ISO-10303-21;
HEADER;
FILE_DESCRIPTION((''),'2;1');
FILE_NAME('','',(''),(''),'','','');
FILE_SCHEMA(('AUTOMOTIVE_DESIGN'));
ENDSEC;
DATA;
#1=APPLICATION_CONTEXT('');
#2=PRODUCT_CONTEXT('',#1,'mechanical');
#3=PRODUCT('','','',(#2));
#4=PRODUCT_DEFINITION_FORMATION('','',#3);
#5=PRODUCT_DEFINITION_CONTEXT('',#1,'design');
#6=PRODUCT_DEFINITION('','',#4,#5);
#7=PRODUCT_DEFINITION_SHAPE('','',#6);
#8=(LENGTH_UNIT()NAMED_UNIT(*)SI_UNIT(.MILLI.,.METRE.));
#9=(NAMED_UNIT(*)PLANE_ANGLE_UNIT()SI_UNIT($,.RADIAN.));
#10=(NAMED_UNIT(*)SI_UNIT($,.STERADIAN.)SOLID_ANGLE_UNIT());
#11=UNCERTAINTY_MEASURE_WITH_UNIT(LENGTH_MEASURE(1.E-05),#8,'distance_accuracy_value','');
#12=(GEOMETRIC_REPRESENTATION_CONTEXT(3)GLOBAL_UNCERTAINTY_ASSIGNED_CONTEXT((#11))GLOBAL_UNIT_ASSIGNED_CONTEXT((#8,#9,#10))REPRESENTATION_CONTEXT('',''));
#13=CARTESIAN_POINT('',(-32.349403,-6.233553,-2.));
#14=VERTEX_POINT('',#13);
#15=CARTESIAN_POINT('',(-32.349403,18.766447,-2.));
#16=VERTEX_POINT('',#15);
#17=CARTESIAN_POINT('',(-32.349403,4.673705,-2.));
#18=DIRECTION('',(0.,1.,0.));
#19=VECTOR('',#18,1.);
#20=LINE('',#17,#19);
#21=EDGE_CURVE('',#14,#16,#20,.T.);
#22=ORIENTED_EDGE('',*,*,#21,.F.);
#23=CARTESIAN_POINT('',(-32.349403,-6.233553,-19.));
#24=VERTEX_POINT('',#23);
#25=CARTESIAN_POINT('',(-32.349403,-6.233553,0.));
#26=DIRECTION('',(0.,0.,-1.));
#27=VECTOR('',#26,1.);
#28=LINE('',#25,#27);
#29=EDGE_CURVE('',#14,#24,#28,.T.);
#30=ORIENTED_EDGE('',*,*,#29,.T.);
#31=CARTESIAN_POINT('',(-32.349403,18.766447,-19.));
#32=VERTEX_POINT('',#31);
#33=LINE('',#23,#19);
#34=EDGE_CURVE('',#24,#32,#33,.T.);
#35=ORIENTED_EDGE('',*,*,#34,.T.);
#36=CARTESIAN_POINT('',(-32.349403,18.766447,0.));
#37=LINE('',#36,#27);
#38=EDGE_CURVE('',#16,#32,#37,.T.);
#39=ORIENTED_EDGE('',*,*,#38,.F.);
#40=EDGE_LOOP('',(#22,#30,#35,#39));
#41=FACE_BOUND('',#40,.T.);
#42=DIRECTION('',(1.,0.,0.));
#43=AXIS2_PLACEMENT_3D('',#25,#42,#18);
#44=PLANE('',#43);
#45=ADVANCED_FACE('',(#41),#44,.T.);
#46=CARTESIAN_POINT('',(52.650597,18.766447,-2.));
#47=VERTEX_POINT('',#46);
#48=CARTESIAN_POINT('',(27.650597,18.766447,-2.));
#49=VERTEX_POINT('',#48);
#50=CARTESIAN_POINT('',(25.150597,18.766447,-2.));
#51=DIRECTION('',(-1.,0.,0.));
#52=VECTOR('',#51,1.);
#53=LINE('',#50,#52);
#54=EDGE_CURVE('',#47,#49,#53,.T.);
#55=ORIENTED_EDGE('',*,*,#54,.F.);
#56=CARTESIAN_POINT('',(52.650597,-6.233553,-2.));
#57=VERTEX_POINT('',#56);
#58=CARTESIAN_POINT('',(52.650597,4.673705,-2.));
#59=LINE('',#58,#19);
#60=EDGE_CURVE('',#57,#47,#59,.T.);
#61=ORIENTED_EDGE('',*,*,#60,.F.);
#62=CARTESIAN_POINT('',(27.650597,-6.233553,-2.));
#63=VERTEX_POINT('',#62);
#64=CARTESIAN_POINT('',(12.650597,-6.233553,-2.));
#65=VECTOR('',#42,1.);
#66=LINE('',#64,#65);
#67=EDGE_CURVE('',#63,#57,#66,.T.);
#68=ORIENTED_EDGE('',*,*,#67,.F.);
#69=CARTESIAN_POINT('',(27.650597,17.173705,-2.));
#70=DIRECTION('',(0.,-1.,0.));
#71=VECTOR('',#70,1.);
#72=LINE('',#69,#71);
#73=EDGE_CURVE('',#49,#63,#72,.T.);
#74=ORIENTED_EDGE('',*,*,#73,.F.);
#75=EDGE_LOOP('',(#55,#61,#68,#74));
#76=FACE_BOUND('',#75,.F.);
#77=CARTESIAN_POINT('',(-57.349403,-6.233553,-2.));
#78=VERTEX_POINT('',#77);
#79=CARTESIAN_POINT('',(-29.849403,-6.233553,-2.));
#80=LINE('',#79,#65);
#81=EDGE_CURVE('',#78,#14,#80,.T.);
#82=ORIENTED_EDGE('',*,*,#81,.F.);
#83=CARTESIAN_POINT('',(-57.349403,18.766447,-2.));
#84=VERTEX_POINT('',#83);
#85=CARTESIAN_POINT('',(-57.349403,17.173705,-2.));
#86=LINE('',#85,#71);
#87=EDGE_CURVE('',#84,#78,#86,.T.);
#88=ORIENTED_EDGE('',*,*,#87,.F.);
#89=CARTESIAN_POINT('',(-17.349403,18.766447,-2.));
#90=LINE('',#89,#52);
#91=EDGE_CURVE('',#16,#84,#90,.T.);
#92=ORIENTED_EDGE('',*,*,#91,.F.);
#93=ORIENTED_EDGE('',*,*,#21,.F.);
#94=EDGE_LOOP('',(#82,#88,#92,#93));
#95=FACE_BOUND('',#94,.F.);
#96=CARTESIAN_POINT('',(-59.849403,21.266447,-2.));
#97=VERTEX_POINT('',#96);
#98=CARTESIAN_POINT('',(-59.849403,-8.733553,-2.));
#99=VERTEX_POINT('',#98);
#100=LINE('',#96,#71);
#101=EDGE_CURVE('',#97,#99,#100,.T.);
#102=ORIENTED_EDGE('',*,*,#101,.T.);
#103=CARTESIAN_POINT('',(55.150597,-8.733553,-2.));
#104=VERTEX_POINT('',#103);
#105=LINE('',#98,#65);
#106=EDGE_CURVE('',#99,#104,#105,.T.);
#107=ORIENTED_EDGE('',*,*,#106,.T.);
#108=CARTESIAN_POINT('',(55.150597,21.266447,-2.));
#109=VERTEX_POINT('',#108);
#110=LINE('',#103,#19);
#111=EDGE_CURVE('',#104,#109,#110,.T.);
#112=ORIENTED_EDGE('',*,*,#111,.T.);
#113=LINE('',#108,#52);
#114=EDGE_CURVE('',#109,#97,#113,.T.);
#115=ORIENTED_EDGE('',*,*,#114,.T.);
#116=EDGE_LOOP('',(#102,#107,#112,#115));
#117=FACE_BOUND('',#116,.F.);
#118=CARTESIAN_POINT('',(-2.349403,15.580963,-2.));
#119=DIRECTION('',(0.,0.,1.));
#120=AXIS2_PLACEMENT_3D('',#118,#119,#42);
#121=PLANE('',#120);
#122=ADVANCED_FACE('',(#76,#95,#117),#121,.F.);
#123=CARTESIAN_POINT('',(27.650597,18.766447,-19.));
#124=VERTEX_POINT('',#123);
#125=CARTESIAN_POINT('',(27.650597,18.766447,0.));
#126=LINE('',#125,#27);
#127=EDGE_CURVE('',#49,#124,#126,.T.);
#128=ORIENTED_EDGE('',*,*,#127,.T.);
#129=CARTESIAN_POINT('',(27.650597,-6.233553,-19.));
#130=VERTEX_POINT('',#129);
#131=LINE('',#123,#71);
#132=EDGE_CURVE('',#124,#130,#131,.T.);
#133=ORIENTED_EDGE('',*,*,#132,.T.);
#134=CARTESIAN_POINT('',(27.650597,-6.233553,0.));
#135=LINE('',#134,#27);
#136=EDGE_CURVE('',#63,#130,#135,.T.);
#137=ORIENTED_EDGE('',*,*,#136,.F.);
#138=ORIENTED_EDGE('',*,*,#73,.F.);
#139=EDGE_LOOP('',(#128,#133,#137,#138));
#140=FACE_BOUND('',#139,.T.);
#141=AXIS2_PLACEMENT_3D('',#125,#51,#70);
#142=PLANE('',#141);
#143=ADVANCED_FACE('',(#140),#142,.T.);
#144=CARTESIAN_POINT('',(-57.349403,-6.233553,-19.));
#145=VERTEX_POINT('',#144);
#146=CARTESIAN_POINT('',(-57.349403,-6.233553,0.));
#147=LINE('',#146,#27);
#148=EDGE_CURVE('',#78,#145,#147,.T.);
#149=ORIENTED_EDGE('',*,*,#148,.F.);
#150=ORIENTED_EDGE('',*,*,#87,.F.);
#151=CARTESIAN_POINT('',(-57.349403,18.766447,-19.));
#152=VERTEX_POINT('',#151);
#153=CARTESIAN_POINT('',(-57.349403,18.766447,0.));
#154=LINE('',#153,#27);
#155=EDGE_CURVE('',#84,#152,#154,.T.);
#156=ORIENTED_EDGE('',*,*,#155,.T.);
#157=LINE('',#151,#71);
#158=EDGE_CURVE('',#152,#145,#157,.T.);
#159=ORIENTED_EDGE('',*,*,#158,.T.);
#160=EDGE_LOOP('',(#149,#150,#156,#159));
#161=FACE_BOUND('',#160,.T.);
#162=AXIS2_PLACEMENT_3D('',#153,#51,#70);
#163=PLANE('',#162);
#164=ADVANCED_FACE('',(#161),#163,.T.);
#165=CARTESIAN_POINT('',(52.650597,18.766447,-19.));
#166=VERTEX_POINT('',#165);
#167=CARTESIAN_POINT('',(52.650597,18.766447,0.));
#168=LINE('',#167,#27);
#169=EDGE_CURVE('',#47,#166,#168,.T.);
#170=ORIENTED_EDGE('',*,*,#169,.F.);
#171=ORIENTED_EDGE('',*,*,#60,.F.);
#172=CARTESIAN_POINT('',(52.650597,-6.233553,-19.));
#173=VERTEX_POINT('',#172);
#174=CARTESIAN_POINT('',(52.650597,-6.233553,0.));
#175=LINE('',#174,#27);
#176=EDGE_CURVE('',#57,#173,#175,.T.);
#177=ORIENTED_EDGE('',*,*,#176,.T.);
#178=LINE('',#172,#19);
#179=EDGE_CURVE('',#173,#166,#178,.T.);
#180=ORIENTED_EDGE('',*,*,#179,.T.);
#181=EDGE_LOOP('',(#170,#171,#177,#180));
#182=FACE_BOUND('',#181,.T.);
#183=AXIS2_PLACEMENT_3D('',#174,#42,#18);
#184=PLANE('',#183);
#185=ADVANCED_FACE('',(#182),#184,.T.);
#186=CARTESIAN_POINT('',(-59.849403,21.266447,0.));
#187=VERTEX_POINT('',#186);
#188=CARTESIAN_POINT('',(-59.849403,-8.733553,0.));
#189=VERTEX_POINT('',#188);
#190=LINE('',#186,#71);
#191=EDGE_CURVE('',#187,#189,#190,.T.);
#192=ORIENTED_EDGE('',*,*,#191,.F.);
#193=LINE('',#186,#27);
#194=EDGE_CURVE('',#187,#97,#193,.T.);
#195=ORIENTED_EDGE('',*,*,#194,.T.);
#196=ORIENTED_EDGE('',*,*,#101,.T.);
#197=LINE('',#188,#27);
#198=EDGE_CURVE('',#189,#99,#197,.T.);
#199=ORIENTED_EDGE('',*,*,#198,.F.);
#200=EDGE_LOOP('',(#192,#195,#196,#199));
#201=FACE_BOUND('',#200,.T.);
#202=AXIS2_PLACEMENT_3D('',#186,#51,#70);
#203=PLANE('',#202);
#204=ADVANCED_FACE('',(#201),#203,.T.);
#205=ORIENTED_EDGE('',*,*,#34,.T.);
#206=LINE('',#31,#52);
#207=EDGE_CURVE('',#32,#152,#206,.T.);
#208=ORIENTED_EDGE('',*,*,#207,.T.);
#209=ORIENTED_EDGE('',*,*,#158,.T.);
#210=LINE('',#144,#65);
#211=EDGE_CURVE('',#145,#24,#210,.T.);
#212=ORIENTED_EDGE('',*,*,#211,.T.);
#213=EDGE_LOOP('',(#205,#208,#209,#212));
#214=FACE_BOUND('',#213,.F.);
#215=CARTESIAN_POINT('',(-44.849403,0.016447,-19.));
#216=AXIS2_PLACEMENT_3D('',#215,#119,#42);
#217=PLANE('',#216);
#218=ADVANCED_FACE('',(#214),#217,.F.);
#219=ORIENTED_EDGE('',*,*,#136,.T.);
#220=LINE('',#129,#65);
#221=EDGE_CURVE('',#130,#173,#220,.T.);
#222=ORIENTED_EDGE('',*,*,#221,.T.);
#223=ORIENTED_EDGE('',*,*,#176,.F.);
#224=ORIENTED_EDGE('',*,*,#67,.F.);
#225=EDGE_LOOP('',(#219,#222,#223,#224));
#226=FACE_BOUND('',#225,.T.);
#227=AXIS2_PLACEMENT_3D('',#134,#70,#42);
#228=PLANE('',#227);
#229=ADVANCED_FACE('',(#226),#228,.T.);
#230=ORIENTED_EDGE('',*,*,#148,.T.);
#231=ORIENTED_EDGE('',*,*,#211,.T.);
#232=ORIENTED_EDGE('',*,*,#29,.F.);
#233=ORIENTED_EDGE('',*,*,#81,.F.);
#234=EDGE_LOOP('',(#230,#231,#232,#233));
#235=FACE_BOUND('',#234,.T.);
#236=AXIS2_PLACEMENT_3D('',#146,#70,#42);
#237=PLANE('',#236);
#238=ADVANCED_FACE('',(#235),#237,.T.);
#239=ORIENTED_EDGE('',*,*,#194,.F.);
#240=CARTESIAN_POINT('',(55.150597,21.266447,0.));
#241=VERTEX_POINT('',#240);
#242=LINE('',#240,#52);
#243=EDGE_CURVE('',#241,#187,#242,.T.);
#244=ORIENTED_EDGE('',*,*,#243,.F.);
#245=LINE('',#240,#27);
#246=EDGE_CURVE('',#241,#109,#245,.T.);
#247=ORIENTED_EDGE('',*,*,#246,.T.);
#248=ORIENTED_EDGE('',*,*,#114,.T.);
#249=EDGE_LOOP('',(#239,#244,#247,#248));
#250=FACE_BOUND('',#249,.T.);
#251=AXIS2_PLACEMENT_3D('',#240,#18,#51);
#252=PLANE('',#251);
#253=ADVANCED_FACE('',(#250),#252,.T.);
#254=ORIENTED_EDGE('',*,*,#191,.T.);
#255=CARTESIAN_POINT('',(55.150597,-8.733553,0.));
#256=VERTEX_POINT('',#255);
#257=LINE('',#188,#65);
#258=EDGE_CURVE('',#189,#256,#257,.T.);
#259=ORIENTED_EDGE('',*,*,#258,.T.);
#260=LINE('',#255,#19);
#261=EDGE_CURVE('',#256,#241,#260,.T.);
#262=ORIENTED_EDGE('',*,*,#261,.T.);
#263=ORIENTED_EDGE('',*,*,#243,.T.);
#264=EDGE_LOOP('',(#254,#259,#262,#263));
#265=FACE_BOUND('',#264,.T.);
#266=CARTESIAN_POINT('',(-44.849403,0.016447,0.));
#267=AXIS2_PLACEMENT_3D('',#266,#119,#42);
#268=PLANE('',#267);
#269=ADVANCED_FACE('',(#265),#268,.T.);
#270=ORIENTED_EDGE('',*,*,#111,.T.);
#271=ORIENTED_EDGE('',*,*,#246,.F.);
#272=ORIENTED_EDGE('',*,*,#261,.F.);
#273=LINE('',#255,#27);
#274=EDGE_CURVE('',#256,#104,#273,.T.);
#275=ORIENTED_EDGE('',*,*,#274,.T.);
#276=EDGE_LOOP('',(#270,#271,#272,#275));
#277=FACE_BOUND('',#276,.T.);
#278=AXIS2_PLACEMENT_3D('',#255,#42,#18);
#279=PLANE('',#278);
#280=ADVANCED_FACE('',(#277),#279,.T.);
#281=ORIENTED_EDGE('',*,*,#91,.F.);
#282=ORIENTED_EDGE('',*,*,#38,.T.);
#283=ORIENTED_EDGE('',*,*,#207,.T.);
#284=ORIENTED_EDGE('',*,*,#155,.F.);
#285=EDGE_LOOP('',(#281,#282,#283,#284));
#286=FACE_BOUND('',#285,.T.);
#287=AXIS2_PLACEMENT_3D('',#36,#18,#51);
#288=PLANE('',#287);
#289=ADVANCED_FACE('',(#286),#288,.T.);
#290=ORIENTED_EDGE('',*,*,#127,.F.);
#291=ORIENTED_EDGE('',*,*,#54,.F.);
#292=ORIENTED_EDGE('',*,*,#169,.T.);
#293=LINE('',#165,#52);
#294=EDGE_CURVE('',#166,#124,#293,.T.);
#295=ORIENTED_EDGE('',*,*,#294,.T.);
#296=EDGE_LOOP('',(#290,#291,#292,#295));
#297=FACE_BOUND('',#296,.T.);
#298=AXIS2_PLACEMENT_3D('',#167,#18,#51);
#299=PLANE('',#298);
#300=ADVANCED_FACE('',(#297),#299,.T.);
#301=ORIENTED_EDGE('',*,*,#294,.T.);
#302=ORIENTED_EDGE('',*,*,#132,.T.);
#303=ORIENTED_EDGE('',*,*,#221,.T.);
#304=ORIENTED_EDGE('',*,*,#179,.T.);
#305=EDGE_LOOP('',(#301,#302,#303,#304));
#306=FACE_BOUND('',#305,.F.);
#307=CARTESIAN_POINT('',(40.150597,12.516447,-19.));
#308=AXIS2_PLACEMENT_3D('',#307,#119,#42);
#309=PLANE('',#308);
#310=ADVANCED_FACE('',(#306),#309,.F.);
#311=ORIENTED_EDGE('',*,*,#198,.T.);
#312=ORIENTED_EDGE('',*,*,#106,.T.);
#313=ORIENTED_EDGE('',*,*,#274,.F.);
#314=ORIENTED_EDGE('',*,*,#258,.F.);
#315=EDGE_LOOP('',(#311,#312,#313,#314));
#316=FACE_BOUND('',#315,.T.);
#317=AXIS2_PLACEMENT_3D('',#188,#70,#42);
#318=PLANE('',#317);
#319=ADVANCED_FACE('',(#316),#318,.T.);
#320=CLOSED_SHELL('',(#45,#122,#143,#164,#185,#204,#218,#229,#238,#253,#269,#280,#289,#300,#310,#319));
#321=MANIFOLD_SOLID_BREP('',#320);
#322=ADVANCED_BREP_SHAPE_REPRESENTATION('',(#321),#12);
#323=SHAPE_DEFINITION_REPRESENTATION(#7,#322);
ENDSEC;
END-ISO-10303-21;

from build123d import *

# Parameters (mm, degrees)
F1_DEPTH = 2
F2_DEPTH = 19


with BuildPart() as f1:
    # F0 (on Top) → F1 (new body)
    with BuildSketch(Plane.XY):
        Polygon((55.150597, 21.266447), (-59.849403, 21.266447), (-59.849403, 6.266447), (-57.349403, 6.266447), (-57.349403, 18.766447), (-32.349403, 18.766447), (-32.349403, 6.266447), (27.650597, 6.266447), (27.650597, 18.766447), (52.650597, 18.766447), (52.650597, 6.266447), (55.150597, 6.266447), align=None)
        Polygon((-57.349403, 6.266447), (-59.849403, 6.266447), (-59.849403, -8.733553), (55.150597, -8.733553), (55.150597, 6.266447), (52.650597, 6.266447), (52.650597, -6.233553), (27.650597, -6.233553), (27.650597, 6.266447), (-32.349403, 6.266447), (-32.349403, -6.233553), (-57.349403, -6.233553), align=None)
        Polygon((-57.349403, 18.766447), (-57.349403, 6.266447), (-44.849403, 6.266447), (-32.349403, 6.266447), (-32.349403, 18.766447), align=None)
        Polygon((-44.849403, 6.266447), (-57.349403, 6.266447), (-57.349403, -6.233553), (-32.349403, -6.233553), (-32.349403, 6.266447), align=None)
        Polygon((40.150597, 6.266447), (52.650597, 6.266447), (52.650597, 18.766447), (27.650597, 18.766447), (27.650597, 6.266447), align=None)
        Polygon((52.650597, -6.233553), (52.650597, 6.266447), (40.150597, 6.266447), (27.650597, 6.266447), (27.650597, -6.233553), align=None)
    extrude(amount=-F1_DEPTH)

    # F0 (on Top) → F2 (join)
    with BuildSketch(Plane.XY):
        Polygon((-44.849403, 6.266447), (-57.349403, 6.266447), (-57.349403, -6.233553), (-32.349403, -6.233553), (-32.349403, 6.266447), align=None)
        Polygon((-57.349403, 18.766447), (-57.349403, 6.266447), (-44.849403, 6.266447), (-32.349403, 6.266447), (-32.349403, 18.766447), align=None)
        Polygon((40.150597, 6.266447), (52.650597, 6.266447), (52.650597, 18.766447), (27.650597, 18.766447), (27.650597, 6.266447), align=None)
        Polygon((52.650597, -6.233553), (52.650597, 6.266447), (40.150597, 6.266447), (27.650597, 6.266447), (27.650597, -6.233553), align=None)
    extrude(amount=-F2_DEPTH)


solid = f1.part
